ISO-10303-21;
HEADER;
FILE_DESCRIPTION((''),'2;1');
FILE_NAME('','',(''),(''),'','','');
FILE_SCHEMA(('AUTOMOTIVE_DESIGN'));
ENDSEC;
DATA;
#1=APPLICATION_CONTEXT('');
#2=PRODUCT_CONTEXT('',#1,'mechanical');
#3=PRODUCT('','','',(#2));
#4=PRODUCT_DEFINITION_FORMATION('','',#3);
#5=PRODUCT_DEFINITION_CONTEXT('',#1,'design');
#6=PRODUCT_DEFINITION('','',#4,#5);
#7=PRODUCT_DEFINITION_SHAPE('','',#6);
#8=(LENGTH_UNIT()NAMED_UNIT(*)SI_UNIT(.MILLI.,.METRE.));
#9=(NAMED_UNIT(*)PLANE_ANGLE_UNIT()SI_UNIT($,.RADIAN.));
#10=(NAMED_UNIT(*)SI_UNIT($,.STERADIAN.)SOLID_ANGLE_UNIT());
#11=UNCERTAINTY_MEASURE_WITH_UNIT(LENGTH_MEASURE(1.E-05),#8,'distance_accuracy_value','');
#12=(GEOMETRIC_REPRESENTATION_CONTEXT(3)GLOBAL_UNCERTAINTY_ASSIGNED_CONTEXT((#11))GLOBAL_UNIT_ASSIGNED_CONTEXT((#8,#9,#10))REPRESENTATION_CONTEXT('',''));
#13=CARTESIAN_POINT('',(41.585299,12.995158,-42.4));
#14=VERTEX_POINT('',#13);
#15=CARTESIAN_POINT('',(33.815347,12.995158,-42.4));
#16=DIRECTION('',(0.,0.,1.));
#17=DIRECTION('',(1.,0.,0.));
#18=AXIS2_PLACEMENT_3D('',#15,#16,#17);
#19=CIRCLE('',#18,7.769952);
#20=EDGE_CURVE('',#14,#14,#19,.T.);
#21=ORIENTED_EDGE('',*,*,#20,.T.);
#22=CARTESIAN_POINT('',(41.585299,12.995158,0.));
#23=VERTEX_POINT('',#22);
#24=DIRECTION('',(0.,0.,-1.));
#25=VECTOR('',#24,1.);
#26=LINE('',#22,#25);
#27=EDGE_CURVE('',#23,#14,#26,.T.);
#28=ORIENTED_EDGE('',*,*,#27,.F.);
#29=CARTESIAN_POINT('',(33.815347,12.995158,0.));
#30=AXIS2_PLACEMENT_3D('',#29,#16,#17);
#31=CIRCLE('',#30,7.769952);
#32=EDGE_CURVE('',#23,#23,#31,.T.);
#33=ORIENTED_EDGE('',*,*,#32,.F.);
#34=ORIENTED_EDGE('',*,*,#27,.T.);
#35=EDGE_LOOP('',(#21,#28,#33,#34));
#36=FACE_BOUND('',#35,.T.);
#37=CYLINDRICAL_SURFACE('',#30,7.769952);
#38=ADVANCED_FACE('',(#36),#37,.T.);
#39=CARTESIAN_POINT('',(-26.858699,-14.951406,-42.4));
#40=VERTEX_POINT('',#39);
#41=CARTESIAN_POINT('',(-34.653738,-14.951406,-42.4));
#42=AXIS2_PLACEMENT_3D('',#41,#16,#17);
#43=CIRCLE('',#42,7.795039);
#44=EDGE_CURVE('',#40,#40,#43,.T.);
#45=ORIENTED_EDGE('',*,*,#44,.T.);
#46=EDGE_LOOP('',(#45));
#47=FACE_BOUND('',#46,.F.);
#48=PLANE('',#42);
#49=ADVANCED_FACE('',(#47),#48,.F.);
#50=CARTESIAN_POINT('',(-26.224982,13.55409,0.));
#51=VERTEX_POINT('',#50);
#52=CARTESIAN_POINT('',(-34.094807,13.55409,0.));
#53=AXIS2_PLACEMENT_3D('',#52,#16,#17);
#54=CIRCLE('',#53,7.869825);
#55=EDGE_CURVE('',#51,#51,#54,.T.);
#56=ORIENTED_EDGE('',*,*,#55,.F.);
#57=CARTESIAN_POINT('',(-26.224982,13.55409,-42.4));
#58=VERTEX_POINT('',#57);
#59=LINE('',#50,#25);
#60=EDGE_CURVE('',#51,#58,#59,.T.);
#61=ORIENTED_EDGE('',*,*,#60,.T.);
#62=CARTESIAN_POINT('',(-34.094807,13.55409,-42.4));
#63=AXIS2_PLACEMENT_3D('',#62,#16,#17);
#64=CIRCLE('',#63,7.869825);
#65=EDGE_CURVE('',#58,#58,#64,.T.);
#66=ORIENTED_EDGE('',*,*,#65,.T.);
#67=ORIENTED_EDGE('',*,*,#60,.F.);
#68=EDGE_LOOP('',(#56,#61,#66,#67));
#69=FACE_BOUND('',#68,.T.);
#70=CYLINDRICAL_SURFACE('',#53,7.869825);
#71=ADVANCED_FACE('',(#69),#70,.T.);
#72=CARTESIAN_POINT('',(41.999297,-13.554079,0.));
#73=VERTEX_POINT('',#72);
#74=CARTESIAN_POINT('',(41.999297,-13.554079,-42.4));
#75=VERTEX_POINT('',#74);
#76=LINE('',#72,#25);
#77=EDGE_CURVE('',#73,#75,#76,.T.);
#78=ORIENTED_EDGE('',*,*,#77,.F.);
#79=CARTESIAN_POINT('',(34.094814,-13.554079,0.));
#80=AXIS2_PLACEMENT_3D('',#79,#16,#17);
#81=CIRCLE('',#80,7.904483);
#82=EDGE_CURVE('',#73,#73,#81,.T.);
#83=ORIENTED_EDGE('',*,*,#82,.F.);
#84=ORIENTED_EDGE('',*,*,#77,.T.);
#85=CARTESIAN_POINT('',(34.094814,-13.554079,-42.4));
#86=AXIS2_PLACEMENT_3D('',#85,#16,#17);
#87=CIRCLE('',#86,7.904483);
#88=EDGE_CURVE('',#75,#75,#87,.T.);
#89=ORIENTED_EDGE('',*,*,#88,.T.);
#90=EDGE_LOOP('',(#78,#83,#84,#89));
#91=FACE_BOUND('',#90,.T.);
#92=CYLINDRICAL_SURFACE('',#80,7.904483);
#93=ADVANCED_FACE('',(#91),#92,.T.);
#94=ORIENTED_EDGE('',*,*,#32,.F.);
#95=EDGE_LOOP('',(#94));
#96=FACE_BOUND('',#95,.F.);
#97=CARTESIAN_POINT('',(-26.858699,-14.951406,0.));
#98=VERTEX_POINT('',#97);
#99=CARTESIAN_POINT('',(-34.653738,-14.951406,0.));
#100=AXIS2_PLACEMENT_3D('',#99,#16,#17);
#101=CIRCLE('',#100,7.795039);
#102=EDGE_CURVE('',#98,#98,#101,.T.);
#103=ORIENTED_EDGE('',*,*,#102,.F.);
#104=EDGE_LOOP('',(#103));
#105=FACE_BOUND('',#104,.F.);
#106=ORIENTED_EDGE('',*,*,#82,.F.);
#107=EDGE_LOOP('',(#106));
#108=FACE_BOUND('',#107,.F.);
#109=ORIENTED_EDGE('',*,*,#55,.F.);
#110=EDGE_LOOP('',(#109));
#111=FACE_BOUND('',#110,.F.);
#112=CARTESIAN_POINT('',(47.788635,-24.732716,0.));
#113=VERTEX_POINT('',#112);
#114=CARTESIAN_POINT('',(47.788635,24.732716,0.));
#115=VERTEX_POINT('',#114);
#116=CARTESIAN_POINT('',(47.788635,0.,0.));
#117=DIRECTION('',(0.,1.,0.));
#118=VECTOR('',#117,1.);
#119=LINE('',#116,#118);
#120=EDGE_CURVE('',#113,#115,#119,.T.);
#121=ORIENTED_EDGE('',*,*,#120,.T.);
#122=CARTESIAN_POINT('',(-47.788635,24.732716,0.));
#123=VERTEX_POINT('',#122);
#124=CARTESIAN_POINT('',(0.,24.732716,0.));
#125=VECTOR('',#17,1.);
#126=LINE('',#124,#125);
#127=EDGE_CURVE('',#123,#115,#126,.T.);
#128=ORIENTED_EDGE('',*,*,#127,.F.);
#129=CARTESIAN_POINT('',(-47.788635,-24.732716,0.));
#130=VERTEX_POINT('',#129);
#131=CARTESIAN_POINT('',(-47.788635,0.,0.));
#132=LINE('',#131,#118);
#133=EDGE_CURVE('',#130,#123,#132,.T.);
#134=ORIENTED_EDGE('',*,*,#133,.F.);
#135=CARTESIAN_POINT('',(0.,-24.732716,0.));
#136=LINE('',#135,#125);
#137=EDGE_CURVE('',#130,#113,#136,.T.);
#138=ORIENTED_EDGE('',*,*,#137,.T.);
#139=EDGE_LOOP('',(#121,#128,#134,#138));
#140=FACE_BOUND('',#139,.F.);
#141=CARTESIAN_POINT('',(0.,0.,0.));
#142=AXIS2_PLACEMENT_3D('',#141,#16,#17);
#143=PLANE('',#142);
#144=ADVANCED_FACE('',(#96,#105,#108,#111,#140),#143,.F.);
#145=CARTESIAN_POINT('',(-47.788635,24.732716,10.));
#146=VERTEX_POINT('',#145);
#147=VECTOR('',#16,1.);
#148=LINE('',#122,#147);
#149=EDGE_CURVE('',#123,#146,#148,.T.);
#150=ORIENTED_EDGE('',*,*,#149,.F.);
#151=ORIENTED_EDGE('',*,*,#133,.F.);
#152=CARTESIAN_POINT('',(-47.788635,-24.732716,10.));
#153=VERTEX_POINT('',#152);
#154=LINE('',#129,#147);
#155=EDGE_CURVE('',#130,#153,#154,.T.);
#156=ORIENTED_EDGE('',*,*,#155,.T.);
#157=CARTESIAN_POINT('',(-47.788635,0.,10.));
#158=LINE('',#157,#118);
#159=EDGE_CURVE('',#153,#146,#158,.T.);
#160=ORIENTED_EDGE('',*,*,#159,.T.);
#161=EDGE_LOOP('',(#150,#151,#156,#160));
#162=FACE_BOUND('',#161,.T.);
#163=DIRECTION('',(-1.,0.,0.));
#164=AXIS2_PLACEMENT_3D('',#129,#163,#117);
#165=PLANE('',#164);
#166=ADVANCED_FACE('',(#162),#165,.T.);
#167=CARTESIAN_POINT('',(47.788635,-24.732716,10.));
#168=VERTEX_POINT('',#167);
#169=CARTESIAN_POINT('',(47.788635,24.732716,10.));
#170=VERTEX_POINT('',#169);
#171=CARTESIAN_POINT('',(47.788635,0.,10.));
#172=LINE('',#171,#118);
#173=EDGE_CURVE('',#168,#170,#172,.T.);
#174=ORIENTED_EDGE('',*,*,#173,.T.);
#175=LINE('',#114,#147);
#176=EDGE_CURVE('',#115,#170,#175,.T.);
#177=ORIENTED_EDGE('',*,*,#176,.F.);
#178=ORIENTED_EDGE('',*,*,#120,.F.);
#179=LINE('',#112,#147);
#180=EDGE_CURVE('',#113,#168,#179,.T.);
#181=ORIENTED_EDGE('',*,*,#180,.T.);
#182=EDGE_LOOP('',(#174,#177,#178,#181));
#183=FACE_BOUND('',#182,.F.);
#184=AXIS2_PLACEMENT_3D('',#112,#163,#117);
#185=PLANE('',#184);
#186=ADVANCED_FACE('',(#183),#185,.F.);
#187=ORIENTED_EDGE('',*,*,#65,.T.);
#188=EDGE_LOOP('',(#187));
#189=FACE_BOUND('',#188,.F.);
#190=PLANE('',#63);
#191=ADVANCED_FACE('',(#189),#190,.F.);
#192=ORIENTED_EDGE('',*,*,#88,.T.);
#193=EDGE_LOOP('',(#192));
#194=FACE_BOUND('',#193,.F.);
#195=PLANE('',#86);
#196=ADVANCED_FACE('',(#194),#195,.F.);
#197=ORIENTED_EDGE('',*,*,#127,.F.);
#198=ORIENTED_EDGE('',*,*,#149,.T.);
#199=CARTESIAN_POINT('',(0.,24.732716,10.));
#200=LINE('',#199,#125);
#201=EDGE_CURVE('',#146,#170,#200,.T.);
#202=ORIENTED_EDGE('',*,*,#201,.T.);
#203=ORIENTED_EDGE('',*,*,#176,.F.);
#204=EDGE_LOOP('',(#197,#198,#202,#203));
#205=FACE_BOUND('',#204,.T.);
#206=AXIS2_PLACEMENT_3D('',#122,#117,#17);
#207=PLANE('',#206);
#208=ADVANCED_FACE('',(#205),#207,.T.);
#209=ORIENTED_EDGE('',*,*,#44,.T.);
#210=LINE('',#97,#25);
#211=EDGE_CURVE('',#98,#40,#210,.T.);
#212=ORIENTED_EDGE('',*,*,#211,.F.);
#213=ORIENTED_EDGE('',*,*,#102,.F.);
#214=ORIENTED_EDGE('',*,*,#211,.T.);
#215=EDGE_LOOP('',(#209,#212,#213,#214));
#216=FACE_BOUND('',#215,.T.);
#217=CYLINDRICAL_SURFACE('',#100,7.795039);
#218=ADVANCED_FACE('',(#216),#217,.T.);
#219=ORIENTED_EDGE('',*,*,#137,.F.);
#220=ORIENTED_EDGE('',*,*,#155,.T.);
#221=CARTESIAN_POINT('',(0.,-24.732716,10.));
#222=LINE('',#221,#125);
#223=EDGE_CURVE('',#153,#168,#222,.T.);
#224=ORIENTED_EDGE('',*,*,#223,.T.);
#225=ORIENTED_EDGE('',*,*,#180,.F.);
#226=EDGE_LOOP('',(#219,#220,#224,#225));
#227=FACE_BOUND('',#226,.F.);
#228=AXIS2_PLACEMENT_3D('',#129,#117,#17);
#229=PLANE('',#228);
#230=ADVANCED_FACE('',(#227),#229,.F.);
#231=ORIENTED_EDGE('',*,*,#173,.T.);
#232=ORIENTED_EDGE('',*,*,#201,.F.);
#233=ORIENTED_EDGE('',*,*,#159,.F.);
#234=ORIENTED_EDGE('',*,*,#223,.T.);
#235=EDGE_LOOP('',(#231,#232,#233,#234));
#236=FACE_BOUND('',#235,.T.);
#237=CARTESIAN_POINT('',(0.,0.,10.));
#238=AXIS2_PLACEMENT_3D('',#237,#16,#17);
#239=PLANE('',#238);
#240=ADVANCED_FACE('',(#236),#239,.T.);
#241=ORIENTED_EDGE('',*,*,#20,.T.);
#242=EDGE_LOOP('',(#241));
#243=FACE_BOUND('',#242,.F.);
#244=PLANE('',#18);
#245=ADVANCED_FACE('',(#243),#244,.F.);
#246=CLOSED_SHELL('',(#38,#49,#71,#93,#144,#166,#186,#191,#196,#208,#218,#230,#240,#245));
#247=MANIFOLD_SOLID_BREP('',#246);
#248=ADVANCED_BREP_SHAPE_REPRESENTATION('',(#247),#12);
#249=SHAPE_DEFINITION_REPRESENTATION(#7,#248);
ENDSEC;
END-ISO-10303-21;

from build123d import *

# Parameters (mm, degrees)
F0_W     = 95.57727
F0_H     = 49.465432
F0_R     = 7.795039
F0_R_2   = 7.904483
F0_R_3   = 7.869825
F0_R_4   = 7.769952
F1_DEPTH = 10
F2_DEPTH = 42.4


with BuildPart() as f1:
    # F0 (on Top) → F1 (new body)
    with BuildSketch(Plane.XY):
        Rectangle(F0_W, F0_H)
        with Locations((-34.653738, -14.951406)):
            Circle(F0_R, mode=Mode.SUBTRACT)
        with Locations((34.094814, -13.554079)):
            Circle(F0_R_2, mode=Mode.SUBTRACT)
        with Locations((-34.094807, 13.55409)):
            Circle(F0_R_3, mode=Mode.SUBTRACT)
        with Locations((33.815347, 12.995158)):
            Circle(F0_R_4, mode=Mode.SUBTRACT)
        with Locations((-34.653738, -14.951406)):
            Circle(F0_R)
        with Locations((-34.094807, 13.55409)):
            Circle(F0_R_3)
        with Locations((34.094814, -13.554079)):
            Circle(F0_R_2)
        with Locations((33.815347, 12.995158)):
            Circle(F0_R_4)
    extrude(amount=F1_DEPTH)

    # F0 (on Top) → F2 (join)
    with BuildSketch(Plane.XY):
        with Locations((-34.653738, -14.951406)):
            Circle(F0_R)
        with Locations((34.094814, -13.554079)):
            Circle(F0_R_2)
        with Locations((33.815347, 12.995158)):
            Circle(F0_R_4)
        with Locations((-34.094807, 13.55409)):
            Circle(F0_R_3)
    extrude(amount=-F2_DEPTH)


solid = f1.part
